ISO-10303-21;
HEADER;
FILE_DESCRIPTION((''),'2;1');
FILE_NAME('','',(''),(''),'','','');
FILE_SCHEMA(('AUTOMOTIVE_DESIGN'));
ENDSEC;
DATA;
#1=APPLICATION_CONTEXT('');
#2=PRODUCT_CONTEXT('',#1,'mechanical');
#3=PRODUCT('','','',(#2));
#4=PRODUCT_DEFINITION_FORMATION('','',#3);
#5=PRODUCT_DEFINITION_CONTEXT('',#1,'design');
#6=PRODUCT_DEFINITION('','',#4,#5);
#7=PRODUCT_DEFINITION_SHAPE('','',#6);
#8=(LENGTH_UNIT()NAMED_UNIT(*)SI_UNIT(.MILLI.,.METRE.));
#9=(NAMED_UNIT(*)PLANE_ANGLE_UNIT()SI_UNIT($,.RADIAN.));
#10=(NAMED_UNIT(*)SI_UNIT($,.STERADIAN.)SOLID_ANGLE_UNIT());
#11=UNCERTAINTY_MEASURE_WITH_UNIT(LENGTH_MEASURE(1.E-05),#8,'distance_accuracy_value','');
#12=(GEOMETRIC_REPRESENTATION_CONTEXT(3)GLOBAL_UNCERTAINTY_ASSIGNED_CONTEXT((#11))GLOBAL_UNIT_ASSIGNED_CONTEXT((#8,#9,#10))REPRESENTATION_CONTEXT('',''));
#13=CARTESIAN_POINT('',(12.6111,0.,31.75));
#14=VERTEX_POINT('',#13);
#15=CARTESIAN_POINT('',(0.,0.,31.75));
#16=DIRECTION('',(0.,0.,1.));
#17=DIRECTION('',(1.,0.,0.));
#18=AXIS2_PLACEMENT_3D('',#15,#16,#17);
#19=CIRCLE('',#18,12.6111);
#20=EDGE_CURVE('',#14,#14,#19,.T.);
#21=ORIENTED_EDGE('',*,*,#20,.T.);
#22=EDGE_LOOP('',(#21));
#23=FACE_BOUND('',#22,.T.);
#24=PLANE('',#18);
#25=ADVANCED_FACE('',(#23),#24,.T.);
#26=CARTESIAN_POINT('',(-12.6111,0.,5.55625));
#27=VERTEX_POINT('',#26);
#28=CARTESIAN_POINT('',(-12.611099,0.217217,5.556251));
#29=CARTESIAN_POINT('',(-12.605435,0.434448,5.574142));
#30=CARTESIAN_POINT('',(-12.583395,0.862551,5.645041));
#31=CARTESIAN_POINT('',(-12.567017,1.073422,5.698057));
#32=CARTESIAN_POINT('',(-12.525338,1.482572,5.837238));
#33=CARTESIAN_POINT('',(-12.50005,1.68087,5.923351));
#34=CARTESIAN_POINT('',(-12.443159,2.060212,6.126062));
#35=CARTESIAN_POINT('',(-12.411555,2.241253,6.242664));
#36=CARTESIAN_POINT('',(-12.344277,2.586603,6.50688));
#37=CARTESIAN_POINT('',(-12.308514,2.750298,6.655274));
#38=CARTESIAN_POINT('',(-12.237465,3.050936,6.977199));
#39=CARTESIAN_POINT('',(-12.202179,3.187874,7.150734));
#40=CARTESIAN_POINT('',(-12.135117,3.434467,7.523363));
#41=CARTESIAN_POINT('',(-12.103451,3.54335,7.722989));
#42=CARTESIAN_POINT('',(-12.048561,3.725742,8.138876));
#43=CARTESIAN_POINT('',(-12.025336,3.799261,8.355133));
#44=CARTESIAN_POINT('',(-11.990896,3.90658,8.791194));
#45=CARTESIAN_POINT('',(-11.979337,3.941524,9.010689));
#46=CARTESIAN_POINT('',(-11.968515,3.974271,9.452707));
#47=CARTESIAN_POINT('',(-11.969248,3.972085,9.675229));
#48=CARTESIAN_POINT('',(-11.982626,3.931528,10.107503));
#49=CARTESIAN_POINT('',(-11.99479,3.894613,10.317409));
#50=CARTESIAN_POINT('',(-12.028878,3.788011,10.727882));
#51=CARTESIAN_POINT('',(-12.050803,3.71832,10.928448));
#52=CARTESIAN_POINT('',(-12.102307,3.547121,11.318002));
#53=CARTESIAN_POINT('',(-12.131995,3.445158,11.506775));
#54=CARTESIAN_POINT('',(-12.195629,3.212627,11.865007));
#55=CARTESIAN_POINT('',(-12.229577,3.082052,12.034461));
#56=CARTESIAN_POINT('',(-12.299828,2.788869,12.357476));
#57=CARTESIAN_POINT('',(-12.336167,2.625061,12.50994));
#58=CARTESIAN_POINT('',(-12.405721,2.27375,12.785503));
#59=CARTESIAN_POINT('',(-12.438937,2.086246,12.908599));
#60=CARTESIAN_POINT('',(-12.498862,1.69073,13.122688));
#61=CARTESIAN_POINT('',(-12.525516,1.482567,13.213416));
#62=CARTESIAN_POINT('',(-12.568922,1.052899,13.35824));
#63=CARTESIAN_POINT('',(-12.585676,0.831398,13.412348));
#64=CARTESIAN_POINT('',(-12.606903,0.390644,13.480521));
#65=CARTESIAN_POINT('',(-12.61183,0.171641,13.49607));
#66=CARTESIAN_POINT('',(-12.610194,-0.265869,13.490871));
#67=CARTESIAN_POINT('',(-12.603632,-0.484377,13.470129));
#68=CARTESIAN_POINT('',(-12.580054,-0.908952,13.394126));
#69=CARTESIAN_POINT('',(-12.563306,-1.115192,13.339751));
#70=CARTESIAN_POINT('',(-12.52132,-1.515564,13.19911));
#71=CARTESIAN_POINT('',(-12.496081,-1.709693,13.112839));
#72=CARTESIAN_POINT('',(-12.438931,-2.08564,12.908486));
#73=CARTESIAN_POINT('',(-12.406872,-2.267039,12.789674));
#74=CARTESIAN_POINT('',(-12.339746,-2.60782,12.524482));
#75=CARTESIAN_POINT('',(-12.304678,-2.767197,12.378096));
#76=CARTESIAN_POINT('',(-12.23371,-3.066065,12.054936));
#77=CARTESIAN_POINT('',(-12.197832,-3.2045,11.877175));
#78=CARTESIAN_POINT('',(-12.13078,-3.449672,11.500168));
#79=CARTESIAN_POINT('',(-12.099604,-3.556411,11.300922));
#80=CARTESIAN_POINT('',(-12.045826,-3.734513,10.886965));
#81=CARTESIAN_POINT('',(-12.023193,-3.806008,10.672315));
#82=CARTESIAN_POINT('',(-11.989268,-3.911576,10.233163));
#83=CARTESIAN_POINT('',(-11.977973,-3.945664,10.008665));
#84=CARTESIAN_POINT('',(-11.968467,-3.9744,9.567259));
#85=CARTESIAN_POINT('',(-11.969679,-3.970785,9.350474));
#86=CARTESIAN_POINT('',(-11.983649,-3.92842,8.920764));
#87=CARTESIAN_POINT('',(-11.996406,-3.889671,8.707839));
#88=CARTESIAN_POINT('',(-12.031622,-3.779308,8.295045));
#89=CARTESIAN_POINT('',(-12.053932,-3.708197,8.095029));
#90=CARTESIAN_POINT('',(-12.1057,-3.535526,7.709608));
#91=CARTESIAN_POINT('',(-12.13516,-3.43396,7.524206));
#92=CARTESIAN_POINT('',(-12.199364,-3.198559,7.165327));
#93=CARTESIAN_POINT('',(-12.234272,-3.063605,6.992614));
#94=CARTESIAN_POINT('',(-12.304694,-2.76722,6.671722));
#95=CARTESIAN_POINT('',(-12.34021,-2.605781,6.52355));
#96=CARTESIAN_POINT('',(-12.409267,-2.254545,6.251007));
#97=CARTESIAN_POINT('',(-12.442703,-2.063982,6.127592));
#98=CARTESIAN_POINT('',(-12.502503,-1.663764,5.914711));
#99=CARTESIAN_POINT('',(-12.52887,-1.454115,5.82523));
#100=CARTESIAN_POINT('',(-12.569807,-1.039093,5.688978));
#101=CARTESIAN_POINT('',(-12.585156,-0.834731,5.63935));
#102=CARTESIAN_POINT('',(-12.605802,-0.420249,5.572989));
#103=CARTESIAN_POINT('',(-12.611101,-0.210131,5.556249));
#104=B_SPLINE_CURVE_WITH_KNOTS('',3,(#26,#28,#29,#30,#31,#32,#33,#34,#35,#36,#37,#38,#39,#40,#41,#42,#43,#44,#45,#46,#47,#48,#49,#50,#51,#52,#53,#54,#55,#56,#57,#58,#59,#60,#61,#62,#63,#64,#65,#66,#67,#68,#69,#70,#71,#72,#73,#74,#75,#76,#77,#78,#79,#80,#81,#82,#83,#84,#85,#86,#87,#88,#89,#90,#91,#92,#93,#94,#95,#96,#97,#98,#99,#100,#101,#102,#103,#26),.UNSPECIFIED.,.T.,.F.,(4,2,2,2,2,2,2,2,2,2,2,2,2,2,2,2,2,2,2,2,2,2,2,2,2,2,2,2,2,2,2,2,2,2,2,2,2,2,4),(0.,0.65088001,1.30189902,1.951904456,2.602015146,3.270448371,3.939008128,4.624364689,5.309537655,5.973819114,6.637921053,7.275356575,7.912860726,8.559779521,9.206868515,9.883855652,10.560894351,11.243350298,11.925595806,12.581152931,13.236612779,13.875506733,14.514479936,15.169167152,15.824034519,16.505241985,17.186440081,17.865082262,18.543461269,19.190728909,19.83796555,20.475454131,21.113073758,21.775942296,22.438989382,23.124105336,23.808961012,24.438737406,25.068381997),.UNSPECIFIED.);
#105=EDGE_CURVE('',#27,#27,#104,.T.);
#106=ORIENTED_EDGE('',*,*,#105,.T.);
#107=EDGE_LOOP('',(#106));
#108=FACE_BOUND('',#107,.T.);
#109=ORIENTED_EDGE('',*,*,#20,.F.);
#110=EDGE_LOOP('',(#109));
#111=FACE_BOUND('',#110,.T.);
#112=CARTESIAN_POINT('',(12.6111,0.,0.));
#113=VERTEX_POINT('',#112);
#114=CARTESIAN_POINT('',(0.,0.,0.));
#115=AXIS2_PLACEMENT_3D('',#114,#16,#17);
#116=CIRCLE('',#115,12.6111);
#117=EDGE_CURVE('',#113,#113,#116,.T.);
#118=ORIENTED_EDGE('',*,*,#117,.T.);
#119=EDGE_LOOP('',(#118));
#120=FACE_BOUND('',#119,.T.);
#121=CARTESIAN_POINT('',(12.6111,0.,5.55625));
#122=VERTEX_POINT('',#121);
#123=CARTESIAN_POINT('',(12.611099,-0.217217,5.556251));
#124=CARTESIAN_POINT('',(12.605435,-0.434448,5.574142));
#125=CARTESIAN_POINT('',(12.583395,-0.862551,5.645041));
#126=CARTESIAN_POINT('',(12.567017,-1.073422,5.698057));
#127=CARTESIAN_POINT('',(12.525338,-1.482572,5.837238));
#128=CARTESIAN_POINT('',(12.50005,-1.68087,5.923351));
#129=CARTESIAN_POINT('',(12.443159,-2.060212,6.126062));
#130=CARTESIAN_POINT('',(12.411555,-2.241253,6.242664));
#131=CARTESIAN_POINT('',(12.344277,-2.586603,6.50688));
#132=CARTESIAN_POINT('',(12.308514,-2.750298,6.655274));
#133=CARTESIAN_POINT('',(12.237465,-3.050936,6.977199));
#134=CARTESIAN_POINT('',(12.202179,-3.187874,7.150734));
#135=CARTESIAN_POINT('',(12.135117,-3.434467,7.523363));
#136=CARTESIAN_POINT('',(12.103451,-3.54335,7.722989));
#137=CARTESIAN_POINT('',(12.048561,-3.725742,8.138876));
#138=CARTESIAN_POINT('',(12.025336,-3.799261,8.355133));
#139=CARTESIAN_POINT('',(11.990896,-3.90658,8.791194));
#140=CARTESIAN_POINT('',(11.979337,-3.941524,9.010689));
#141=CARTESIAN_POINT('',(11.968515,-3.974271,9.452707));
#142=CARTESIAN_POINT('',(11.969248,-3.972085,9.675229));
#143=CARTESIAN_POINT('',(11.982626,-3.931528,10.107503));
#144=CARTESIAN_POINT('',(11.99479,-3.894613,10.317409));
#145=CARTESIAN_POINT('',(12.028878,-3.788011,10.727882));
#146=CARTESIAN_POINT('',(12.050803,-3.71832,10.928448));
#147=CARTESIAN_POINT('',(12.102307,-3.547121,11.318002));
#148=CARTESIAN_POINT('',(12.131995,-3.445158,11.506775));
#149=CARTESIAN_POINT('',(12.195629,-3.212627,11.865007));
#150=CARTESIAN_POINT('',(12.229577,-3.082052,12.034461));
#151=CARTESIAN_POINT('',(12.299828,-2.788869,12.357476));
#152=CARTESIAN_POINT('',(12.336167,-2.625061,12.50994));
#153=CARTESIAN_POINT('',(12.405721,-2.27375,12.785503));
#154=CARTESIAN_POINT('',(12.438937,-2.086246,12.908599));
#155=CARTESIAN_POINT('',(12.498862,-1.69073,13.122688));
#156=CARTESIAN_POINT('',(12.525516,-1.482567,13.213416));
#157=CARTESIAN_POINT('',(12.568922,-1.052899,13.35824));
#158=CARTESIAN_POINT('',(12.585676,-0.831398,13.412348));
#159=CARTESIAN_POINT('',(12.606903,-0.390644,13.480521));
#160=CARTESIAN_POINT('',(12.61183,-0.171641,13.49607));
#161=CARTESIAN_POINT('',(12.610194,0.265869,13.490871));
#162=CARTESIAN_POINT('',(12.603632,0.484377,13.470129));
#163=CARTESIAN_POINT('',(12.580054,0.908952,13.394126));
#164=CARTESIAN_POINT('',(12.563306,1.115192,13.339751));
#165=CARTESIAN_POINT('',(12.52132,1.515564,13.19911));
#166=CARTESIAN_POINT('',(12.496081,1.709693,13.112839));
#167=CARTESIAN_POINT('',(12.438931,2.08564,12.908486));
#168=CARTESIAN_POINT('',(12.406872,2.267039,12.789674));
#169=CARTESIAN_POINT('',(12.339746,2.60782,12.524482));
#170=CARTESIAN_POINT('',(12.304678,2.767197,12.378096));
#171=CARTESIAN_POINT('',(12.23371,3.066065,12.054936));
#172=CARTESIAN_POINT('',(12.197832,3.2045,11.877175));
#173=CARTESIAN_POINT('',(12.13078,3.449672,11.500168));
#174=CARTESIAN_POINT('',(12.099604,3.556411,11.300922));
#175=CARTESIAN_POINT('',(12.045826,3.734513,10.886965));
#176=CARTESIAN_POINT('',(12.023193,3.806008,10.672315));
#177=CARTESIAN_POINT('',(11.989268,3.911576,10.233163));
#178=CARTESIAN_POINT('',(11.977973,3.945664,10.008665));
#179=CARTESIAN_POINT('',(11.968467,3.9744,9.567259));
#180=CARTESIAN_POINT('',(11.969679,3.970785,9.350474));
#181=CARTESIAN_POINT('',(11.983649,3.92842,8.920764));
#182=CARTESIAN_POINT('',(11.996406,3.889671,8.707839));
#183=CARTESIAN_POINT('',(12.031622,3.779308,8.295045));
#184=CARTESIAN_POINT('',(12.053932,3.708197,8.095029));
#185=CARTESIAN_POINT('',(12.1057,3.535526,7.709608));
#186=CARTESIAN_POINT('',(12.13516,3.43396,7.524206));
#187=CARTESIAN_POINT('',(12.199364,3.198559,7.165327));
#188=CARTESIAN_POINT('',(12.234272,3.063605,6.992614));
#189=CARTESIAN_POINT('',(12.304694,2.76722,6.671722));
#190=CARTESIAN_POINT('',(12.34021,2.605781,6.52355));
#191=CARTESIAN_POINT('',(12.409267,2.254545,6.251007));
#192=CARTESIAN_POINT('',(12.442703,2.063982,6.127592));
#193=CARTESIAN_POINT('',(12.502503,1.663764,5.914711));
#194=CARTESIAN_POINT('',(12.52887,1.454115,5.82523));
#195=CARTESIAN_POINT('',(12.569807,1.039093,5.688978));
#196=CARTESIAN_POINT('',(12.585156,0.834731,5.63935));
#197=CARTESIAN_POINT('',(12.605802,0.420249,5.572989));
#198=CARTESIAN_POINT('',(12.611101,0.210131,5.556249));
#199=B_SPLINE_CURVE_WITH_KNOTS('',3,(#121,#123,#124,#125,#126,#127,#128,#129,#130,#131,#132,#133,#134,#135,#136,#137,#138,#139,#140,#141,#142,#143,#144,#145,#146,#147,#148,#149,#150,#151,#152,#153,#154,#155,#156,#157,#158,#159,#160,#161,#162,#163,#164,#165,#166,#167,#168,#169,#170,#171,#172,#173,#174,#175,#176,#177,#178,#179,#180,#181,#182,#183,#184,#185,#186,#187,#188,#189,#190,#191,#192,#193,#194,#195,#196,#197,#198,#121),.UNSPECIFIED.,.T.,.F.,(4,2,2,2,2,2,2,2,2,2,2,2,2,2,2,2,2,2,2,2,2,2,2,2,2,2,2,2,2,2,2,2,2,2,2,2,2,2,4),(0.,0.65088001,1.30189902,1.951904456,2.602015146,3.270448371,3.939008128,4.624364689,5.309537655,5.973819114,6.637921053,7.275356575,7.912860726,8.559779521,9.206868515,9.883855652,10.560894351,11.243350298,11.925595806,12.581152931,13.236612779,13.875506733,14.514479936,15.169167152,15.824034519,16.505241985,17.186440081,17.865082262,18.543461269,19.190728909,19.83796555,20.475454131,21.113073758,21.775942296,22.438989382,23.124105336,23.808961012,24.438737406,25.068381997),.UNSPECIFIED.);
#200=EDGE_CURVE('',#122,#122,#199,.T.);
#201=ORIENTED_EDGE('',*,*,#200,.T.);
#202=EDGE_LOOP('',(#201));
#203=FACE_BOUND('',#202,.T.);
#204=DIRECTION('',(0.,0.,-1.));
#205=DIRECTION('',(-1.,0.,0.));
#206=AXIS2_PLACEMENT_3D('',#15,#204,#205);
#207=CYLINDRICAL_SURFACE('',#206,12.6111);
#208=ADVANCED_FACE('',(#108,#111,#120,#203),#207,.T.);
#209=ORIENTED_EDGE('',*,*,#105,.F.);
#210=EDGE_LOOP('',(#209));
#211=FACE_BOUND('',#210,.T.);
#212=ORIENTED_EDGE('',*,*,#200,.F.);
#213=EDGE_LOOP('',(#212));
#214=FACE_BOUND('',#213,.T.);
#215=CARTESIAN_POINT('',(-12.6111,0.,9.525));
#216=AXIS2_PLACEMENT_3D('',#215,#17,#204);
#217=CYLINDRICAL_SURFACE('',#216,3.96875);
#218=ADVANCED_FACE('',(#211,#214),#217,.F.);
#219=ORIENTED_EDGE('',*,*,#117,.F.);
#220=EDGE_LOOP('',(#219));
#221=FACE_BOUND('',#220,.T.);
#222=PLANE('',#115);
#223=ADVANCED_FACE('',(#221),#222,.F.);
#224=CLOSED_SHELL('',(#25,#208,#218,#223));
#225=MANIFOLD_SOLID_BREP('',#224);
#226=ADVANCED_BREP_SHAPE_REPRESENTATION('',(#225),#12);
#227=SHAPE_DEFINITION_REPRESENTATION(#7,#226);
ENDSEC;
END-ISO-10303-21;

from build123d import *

# Parameters (mm, degrees)
SKETCH1_R               = 12.6111
BOSS_EXTRUDE1_DEPTH     = 31.75
CUT_EXTRUDE1_DEPTH      = 37.416235204
CUT_EXTRUDE1_DEPTH_BACK = 37.416235204
SKETCH2_R               = 3.96875


with BuildPart() as part:
    # Sketch1 → Boss-Extrude1 (new body)
    with BuildSketch(Plane(origin=(0, 0, 0), x_dir=(0, 1, 0), z_dir=(0, 0, 1))):
        with Locations(Location((0, 0, 0), (0, 0, 270))):
            Circle(SKETCH1_R)
    extrude(amount=BOSS_EXTRUDE1_DEPTH)

    # Sketch2 → Cut-Extrude1 (cut, two sides: drawn at the far end of the back side and taken through both)
    with BuildSketch(Plane.YZ.offset(-CUT_EXTRUDE1_DEPTH_BACK)):
        with Locations(Location((0, 9.525, 0), (0, 0, 270))):
            Circle(SKETCH2_R)
    extrude(amount=CUT_EXTRUDE1_DEPTH + CUT_EXTRUDE1_DEPTH_BACK, mode=Mode.SUBTRACT)


solid = part.part
